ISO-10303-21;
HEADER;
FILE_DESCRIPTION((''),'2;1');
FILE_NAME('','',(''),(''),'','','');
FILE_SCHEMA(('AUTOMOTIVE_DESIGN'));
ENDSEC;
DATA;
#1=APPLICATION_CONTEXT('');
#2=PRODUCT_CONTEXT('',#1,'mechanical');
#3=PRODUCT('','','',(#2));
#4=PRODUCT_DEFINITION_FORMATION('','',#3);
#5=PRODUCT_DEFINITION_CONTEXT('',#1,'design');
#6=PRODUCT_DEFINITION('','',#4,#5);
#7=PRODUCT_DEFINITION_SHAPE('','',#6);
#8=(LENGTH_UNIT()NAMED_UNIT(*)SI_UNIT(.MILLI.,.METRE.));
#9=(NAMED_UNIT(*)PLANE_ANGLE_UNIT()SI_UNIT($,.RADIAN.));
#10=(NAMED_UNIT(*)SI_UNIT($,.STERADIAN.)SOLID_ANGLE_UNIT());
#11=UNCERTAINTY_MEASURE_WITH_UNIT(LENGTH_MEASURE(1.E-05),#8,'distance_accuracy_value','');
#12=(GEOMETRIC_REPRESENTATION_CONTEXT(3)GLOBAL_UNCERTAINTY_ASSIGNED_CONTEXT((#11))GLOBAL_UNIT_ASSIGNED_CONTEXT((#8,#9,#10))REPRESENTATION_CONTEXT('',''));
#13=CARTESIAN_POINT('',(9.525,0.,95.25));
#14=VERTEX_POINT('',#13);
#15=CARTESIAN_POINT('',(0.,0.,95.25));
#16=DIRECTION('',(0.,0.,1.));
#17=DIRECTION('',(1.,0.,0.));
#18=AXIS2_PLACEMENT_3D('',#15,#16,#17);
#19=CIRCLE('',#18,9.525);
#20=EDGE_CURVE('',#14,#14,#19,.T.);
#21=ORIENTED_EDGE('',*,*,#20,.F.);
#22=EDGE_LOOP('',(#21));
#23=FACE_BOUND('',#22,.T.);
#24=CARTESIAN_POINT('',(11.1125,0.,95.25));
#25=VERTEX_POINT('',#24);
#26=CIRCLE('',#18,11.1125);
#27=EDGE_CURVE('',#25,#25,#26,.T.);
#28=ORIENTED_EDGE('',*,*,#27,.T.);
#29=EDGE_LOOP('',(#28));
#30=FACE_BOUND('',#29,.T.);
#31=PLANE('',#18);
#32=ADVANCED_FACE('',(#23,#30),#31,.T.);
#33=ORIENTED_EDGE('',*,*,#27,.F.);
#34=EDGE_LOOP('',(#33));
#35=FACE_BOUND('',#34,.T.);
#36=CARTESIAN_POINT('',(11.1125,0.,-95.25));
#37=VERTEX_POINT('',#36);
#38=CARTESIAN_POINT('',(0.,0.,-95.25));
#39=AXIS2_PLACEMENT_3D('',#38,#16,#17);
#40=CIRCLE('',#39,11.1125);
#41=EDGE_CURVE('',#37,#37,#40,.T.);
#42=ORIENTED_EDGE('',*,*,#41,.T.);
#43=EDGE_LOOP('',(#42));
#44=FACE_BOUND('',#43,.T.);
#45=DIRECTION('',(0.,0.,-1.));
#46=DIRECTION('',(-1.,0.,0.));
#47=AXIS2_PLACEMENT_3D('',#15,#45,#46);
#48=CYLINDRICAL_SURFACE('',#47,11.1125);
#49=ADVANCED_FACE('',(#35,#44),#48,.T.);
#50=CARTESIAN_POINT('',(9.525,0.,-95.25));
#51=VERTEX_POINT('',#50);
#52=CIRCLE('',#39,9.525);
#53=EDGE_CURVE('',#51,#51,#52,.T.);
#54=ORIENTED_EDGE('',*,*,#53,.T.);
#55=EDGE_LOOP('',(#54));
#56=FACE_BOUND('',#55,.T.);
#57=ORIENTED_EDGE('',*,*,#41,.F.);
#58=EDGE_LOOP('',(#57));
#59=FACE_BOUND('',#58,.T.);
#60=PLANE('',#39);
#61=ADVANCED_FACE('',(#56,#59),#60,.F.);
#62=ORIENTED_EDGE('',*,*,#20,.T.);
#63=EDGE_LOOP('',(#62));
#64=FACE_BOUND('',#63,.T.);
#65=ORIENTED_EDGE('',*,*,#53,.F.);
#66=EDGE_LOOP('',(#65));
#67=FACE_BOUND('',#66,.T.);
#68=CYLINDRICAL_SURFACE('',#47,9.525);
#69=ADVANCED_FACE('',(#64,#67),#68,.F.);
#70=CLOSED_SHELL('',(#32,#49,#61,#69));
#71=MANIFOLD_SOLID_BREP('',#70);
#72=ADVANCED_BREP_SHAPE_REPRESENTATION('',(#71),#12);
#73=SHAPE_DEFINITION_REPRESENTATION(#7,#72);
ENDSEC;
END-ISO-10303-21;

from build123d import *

# Parameters (mm, degrees)
SKETCH1_R           = 11.1125
SKETCH1_R_2         = 9.525
BOSS_EXTRUDE1_DEPTH = 95.25


with BuildPart() as part:
    # Sketch1 → Boss-Extrude1 (new body, symmetric)
    with BuildSketch(Plane.XY):
        Circle(SKETCH1_R)
        Circle(SKETCH1_R_2, mode=Mode.SUBTRACT)
    extrude(amount=BOSS_EXTRUDE1_DEPTH, both=True)


solid = part.part
